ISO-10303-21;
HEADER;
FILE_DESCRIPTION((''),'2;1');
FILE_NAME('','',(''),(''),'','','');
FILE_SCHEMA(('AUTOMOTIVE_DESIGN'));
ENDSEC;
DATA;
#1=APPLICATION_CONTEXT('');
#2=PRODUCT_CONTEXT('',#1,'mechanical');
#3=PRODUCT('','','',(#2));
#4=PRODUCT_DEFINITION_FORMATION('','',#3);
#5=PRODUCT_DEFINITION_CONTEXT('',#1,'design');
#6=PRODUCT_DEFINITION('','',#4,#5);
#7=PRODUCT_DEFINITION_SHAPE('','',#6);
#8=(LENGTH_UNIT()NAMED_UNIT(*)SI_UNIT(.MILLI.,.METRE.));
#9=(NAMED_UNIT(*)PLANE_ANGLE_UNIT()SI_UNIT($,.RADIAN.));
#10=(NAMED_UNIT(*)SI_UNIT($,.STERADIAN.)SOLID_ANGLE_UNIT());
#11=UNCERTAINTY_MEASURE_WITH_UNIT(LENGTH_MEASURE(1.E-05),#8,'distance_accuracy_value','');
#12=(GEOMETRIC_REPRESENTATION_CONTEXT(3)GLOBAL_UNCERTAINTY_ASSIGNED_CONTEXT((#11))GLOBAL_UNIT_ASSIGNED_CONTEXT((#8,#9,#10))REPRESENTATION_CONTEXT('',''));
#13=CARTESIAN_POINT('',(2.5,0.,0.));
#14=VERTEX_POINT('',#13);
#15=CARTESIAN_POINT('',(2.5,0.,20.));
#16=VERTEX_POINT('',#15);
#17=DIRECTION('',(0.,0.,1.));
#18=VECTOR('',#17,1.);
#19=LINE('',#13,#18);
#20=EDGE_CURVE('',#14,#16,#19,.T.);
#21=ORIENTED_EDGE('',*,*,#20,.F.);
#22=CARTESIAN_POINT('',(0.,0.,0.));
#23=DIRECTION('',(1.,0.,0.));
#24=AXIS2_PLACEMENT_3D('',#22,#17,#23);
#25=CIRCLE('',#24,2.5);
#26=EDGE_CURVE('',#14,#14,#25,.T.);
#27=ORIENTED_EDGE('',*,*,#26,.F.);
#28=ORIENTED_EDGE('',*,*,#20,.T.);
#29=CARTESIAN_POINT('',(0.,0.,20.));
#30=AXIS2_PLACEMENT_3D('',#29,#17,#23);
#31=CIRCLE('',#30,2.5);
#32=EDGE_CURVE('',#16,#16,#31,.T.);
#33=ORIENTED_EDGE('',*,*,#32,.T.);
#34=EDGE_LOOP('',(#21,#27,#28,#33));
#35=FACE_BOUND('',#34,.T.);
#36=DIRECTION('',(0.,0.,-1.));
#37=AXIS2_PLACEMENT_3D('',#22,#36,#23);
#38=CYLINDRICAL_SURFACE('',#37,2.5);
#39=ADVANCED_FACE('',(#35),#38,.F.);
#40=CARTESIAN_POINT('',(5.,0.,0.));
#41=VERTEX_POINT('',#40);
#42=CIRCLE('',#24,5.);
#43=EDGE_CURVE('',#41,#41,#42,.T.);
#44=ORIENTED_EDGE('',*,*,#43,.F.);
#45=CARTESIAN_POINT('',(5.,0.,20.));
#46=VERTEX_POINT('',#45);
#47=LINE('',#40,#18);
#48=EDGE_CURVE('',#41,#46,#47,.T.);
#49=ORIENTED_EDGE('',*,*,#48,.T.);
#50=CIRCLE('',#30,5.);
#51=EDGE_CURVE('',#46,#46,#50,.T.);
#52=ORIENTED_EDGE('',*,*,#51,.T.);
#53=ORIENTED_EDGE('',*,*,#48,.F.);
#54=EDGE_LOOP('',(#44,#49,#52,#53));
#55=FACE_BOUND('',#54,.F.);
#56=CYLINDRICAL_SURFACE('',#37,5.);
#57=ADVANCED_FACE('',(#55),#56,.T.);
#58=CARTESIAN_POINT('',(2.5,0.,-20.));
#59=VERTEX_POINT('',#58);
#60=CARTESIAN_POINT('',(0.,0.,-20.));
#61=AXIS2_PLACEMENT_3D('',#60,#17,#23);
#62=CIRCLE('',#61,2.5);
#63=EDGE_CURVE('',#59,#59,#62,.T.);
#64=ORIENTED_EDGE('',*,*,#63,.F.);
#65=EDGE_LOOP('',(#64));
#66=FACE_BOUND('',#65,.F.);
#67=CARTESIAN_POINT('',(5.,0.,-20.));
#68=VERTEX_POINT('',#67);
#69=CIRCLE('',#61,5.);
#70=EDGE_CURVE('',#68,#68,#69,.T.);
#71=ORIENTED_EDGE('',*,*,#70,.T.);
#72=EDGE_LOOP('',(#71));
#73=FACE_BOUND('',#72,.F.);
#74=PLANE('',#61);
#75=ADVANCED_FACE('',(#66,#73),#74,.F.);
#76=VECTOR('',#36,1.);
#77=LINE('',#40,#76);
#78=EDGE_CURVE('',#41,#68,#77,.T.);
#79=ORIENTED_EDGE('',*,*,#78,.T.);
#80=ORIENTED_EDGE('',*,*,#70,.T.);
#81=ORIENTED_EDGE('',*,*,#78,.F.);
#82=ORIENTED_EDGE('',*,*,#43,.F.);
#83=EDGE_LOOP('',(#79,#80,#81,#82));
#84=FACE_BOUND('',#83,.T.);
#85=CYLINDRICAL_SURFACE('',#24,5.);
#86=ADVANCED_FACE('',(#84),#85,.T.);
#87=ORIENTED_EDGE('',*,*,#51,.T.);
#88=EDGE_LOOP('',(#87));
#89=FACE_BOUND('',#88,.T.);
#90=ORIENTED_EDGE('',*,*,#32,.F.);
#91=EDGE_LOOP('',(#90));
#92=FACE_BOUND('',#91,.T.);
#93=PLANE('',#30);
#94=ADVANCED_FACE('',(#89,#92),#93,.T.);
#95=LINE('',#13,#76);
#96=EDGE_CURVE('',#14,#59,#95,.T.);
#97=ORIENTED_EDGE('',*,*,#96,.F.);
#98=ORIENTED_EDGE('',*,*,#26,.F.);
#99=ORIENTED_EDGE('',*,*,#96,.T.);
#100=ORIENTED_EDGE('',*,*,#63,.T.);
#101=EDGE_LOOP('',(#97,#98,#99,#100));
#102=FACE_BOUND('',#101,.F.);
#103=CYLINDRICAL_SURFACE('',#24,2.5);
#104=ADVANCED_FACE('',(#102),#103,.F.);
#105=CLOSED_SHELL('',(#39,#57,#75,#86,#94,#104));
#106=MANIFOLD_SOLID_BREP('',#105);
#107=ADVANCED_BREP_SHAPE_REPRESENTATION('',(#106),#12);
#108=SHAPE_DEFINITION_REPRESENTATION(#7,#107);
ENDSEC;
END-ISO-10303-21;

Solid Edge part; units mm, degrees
sketch "Sketch1" plane through (0, 0, 0) normal (0, 0, 1) x (1, 0, 0)
  circle A0 centre (0, 0) radius 5
  circle A1 centre (0, 0) radius 2.5
  dimension "D1" = 5
  dimension "D2" = 10
extrude "Protrusion1" add sketch "Sketch1" along normal mid plane 40
properties material "Acrylic, high impact grade"
